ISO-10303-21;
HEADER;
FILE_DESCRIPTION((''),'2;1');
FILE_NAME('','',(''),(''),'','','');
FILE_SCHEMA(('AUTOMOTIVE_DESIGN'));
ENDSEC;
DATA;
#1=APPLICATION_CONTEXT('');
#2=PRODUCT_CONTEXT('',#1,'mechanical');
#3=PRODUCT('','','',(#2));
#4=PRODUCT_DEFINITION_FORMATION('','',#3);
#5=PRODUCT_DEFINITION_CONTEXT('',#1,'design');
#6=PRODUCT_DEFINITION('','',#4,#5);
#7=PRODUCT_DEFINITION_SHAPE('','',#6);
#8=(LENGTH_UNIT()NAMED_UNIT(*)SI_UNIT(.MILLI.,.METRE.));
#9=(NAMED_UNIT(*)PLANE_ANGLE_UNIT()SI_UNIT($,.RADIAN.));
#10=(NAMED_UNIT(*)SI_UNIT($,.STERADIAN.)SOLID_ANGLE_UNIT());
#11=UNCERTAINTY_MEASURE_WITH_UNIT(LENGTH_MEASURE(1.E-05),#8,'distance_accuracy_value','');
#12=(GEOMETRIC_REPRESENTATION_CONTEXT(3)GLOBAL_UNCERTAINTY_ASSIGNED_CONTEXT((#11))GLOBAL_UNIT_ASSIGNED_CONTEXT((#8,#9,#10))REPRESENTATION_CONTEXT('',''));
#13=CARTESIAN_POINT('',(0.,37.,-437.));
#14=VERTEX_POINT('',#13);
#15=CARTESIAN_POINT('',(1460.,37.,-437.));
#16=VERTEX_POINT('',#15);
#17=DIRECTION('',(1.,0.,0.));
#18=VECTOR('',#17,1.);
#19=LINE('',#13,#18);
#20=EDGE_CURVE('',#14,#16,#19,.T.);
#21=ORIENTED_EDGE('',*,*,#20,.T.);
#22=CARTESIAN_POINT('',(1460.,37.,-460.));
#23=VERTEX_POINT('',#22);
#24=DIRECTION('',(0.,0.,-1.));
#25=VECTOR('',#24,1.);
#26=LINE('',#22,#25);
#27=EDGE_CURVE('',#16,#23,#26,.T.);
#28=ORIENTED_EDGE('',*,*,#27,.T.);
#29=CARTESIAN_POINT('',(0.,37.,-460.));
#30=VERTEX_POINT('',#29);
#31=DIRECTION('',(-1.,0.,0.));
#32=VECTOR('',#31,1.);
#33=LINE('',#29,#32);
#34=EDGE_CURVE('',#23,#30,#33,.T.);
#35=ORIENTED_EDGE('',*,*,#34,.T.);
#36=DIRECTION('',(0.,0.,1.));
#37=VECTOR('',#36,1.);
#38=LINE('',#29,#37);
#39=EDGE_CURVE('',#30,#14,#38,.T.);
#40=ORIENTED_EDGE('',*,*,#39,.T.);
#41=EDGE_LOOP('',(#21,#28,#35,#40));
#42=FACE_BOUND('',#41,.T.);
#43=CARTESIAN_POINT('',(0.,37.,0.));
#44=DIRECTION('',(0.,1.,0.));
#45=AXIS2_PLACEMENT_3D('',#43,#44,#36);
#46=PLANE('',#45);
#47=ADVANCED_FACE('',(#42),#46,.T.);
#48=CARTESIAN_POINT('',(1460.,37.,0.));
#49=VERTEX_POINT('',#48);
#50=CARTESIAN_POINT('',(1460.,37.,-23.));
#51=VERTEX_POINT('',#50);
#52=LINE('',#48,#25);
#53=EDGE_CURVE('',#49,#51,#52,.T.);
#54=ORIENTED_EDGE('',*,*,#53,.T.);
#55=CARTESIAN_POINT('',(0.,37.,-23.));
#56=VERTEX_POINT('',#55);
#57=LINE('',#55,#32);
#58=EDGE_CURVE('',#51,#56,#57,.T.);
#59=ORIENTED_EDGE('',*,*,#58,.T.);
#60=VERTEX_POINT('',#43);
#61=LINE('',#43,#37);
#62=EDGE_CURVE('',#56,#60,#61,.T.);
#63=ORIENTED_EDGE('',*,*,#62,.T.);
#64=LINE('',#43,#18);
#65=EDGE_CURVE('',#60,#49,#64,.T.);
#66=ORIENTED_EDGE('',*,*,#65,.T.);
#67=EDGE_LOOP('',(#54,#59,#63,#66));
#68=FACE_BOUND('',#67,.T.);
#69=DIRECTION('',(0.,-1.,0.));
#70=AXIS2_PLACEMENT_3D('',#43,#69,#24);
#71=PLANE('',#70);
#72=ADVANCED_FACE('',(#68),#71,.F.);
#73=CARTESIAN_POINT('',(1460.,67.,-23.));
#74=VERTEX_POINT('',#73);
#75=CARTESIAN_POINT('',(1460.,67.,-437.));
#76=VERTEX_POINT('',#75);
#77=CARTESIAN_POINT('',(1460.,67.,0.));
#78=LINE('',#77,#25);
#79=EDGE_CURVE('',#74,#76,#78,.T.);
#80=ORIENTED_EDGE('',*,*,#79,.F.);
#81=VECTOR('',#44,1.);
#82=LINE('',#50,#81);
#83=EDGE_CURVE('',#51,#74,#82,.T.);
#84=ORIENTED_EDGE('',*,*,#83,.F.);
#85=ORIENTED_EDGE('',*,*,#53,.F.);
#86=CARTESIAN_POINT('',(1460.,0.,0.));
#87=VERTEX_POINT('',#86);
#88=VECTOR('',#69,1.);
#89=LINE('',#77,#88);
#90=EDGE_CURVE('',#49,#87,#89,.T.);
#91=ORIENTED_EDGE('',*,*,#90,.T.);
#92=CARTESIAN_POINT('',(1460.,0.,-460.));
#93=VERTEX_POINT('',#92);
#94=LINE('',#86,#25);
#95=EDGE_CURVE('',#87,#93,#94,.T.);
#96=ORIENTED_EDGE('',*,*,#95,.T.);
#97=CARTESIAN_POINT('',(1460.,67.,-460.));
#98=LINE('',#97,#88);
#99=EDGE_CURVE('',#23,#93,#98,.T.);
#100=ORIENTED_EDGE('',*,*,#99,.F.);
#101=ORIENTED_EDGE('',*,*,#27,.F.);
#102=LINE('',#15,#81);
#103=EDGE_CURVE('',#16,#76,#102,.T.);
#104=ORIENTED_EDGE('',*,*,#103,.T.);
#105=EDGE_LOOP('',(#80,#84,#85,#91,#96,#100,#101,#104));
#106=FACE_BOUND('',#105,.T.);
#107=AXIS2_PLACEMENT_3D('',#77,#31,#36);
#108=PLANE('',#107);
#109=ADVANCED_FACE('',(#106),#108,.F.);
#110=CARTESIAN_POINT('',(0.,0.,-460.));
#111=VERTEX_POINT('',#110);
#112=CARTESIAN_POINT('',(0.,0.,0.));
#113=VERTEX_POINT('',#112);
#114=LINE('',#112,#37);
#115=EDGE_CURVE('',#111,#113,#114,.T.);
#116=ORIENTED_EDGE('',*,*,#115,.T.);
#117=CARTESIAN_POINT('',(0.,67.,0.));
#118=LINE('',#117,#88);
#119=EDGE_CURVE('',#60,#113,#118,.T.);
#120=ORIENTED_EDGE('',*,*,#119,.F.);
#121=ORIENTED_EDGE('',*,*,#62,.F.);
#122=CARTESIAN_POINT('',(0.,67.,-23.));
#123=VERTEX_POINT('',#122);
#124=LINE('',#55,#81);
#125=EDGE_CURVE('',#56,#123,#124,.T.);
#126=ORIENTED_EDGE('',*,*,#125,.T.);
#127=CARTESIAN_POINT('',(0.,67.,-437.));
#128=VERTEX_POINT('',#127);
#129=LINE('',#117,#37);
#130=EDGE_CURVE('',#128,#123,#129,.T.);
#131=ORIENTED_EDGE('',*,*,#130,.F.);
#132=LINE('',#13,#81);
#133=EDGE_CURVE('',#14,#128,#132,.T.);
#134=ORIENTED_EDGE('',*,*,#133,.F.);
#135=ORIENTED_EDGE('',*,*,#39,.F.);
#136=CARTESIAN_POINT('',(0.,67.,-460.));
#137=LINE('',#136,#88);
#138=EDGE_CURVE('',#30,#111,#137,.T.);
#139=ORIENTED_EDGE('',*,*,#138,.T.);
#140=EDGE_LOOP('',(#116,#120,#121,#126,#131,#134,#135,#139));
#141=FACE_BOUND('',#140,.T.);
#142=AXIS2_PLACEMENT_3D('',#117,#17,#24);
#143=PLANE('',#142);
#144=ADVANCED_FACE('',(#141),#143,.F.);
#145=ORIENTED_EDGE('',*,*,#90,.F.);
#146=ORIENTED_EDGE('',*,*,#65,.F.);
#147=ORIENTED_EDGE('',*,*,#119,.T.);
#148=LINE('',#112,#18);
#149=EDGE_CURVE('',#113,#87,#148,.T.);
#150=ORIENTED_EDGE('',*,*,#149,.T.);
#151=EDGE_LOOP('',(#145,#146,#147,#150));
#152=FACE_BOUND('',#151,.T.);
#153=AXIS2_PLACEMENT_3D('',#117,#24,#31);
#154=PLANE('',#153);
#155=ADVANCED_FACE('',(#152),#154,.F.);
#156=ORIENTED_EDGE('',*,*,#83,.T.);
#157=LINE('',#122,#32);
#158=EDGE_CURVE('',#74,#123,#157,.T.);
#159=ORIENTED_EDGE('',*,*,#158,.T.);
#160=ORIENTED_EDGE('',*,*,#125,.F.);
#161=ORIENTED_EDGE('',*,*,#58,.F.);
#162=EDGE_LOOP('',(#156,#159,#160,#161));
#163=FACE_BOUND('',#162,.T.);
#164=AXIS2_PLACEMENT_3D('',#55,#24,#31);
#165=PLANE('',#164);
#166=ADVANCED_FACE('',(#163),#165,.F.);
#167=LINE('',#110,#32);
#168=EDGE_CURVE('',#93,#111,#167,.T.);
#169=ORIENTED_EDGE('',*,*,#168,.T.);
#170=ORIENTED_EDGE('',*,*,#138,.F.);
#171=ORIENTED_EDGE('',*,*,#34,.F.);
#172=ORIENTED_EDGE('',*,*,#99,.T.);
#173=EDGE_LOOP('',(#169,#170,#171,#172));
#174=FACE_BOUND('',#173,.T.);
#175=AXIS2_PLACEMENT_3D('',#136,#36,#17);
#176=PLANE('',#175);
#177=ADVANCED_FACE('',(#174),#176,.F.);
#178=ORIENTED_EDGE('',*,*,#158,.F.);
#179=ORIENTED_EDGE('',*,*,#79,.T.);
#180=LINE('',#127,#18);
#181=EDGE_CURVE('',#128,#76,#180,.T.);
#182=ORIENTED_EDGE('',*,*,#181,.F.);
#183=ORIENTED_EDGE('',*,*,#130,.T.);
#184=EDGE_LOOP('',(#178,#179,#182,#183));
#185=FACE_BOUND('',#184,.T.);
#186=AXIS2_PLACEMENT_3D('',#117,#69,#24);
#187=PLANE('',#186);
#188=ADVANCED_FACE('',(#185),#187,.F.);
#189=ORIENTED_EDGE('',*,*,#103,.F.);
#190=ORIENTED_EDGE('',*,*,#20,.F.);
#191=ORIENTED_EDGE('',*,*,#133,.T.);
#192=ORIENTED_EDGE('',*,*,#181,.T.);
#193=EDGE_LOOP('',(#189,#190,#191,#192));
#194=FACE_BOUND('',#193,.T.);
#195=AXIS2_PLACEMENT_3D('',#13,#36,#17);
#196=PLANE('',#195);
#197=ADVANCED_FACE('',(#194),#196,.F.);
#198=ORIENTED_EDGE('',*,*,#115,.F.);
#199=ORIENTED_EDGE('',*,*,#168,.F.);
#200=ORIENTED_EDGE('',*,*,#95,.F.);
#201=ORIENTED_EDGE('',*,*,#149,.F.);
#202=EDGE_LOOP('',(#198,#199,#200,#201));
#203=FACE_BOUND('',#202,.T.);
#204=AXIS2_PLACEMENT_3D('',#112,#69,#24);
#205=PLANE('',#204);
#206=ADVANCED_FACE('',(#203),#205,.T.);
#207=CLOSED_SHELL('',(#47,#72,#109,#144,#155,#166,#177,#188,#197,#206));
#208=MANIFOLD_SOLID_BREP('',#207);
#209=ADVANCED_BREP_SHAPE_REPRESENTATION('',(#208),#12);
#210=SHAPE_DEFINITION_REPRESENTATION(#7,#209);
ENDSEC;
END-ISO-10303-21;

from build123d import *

# Parameters (mm, degrees)
SKETCH1_W           = 1460
SKETCH1_H           = 460
BOSS_EXTRUDE1_DEPTH = 67
SKETCH2_W           = 1460
SKETCH2_H           = 23
CUT_EXTRUDE1_DEPTH  = 30


with BuildPart() as part:
    # Sketch1 → Boss-Extrude1 (new body)
    with BuildSketch(Plane(origin=(0, 0, 0), x_dir=(1, 0, 0), z_dir=(0, 1, 0))):
        with Locations((730, 230)):
            Rectangle(SKETCH1_W, SKETCH1_H)
    extrude(amount=BOSS_EXTRUDE1_DEPTH)

    # Sketch2 → Cut-Extrude1 (cut)
    with BuildSketch(Plane(origin=(0, 67, 0), x_dir=(1, 0, 0), z_dir=(0, 1, 0))):
        with Locations((730, 11.5)):
            Rectangle(SKETCH2_W, SKETCH2_H)
        with Locations((730, 448.5)):
            Rectangle(SKETCH2_W, SKETCH2_H)
    extrude(amount=-CUT_EXTRUDE1_DEPTH, mode=Mode.SUBTRACT)


solid = part.part
